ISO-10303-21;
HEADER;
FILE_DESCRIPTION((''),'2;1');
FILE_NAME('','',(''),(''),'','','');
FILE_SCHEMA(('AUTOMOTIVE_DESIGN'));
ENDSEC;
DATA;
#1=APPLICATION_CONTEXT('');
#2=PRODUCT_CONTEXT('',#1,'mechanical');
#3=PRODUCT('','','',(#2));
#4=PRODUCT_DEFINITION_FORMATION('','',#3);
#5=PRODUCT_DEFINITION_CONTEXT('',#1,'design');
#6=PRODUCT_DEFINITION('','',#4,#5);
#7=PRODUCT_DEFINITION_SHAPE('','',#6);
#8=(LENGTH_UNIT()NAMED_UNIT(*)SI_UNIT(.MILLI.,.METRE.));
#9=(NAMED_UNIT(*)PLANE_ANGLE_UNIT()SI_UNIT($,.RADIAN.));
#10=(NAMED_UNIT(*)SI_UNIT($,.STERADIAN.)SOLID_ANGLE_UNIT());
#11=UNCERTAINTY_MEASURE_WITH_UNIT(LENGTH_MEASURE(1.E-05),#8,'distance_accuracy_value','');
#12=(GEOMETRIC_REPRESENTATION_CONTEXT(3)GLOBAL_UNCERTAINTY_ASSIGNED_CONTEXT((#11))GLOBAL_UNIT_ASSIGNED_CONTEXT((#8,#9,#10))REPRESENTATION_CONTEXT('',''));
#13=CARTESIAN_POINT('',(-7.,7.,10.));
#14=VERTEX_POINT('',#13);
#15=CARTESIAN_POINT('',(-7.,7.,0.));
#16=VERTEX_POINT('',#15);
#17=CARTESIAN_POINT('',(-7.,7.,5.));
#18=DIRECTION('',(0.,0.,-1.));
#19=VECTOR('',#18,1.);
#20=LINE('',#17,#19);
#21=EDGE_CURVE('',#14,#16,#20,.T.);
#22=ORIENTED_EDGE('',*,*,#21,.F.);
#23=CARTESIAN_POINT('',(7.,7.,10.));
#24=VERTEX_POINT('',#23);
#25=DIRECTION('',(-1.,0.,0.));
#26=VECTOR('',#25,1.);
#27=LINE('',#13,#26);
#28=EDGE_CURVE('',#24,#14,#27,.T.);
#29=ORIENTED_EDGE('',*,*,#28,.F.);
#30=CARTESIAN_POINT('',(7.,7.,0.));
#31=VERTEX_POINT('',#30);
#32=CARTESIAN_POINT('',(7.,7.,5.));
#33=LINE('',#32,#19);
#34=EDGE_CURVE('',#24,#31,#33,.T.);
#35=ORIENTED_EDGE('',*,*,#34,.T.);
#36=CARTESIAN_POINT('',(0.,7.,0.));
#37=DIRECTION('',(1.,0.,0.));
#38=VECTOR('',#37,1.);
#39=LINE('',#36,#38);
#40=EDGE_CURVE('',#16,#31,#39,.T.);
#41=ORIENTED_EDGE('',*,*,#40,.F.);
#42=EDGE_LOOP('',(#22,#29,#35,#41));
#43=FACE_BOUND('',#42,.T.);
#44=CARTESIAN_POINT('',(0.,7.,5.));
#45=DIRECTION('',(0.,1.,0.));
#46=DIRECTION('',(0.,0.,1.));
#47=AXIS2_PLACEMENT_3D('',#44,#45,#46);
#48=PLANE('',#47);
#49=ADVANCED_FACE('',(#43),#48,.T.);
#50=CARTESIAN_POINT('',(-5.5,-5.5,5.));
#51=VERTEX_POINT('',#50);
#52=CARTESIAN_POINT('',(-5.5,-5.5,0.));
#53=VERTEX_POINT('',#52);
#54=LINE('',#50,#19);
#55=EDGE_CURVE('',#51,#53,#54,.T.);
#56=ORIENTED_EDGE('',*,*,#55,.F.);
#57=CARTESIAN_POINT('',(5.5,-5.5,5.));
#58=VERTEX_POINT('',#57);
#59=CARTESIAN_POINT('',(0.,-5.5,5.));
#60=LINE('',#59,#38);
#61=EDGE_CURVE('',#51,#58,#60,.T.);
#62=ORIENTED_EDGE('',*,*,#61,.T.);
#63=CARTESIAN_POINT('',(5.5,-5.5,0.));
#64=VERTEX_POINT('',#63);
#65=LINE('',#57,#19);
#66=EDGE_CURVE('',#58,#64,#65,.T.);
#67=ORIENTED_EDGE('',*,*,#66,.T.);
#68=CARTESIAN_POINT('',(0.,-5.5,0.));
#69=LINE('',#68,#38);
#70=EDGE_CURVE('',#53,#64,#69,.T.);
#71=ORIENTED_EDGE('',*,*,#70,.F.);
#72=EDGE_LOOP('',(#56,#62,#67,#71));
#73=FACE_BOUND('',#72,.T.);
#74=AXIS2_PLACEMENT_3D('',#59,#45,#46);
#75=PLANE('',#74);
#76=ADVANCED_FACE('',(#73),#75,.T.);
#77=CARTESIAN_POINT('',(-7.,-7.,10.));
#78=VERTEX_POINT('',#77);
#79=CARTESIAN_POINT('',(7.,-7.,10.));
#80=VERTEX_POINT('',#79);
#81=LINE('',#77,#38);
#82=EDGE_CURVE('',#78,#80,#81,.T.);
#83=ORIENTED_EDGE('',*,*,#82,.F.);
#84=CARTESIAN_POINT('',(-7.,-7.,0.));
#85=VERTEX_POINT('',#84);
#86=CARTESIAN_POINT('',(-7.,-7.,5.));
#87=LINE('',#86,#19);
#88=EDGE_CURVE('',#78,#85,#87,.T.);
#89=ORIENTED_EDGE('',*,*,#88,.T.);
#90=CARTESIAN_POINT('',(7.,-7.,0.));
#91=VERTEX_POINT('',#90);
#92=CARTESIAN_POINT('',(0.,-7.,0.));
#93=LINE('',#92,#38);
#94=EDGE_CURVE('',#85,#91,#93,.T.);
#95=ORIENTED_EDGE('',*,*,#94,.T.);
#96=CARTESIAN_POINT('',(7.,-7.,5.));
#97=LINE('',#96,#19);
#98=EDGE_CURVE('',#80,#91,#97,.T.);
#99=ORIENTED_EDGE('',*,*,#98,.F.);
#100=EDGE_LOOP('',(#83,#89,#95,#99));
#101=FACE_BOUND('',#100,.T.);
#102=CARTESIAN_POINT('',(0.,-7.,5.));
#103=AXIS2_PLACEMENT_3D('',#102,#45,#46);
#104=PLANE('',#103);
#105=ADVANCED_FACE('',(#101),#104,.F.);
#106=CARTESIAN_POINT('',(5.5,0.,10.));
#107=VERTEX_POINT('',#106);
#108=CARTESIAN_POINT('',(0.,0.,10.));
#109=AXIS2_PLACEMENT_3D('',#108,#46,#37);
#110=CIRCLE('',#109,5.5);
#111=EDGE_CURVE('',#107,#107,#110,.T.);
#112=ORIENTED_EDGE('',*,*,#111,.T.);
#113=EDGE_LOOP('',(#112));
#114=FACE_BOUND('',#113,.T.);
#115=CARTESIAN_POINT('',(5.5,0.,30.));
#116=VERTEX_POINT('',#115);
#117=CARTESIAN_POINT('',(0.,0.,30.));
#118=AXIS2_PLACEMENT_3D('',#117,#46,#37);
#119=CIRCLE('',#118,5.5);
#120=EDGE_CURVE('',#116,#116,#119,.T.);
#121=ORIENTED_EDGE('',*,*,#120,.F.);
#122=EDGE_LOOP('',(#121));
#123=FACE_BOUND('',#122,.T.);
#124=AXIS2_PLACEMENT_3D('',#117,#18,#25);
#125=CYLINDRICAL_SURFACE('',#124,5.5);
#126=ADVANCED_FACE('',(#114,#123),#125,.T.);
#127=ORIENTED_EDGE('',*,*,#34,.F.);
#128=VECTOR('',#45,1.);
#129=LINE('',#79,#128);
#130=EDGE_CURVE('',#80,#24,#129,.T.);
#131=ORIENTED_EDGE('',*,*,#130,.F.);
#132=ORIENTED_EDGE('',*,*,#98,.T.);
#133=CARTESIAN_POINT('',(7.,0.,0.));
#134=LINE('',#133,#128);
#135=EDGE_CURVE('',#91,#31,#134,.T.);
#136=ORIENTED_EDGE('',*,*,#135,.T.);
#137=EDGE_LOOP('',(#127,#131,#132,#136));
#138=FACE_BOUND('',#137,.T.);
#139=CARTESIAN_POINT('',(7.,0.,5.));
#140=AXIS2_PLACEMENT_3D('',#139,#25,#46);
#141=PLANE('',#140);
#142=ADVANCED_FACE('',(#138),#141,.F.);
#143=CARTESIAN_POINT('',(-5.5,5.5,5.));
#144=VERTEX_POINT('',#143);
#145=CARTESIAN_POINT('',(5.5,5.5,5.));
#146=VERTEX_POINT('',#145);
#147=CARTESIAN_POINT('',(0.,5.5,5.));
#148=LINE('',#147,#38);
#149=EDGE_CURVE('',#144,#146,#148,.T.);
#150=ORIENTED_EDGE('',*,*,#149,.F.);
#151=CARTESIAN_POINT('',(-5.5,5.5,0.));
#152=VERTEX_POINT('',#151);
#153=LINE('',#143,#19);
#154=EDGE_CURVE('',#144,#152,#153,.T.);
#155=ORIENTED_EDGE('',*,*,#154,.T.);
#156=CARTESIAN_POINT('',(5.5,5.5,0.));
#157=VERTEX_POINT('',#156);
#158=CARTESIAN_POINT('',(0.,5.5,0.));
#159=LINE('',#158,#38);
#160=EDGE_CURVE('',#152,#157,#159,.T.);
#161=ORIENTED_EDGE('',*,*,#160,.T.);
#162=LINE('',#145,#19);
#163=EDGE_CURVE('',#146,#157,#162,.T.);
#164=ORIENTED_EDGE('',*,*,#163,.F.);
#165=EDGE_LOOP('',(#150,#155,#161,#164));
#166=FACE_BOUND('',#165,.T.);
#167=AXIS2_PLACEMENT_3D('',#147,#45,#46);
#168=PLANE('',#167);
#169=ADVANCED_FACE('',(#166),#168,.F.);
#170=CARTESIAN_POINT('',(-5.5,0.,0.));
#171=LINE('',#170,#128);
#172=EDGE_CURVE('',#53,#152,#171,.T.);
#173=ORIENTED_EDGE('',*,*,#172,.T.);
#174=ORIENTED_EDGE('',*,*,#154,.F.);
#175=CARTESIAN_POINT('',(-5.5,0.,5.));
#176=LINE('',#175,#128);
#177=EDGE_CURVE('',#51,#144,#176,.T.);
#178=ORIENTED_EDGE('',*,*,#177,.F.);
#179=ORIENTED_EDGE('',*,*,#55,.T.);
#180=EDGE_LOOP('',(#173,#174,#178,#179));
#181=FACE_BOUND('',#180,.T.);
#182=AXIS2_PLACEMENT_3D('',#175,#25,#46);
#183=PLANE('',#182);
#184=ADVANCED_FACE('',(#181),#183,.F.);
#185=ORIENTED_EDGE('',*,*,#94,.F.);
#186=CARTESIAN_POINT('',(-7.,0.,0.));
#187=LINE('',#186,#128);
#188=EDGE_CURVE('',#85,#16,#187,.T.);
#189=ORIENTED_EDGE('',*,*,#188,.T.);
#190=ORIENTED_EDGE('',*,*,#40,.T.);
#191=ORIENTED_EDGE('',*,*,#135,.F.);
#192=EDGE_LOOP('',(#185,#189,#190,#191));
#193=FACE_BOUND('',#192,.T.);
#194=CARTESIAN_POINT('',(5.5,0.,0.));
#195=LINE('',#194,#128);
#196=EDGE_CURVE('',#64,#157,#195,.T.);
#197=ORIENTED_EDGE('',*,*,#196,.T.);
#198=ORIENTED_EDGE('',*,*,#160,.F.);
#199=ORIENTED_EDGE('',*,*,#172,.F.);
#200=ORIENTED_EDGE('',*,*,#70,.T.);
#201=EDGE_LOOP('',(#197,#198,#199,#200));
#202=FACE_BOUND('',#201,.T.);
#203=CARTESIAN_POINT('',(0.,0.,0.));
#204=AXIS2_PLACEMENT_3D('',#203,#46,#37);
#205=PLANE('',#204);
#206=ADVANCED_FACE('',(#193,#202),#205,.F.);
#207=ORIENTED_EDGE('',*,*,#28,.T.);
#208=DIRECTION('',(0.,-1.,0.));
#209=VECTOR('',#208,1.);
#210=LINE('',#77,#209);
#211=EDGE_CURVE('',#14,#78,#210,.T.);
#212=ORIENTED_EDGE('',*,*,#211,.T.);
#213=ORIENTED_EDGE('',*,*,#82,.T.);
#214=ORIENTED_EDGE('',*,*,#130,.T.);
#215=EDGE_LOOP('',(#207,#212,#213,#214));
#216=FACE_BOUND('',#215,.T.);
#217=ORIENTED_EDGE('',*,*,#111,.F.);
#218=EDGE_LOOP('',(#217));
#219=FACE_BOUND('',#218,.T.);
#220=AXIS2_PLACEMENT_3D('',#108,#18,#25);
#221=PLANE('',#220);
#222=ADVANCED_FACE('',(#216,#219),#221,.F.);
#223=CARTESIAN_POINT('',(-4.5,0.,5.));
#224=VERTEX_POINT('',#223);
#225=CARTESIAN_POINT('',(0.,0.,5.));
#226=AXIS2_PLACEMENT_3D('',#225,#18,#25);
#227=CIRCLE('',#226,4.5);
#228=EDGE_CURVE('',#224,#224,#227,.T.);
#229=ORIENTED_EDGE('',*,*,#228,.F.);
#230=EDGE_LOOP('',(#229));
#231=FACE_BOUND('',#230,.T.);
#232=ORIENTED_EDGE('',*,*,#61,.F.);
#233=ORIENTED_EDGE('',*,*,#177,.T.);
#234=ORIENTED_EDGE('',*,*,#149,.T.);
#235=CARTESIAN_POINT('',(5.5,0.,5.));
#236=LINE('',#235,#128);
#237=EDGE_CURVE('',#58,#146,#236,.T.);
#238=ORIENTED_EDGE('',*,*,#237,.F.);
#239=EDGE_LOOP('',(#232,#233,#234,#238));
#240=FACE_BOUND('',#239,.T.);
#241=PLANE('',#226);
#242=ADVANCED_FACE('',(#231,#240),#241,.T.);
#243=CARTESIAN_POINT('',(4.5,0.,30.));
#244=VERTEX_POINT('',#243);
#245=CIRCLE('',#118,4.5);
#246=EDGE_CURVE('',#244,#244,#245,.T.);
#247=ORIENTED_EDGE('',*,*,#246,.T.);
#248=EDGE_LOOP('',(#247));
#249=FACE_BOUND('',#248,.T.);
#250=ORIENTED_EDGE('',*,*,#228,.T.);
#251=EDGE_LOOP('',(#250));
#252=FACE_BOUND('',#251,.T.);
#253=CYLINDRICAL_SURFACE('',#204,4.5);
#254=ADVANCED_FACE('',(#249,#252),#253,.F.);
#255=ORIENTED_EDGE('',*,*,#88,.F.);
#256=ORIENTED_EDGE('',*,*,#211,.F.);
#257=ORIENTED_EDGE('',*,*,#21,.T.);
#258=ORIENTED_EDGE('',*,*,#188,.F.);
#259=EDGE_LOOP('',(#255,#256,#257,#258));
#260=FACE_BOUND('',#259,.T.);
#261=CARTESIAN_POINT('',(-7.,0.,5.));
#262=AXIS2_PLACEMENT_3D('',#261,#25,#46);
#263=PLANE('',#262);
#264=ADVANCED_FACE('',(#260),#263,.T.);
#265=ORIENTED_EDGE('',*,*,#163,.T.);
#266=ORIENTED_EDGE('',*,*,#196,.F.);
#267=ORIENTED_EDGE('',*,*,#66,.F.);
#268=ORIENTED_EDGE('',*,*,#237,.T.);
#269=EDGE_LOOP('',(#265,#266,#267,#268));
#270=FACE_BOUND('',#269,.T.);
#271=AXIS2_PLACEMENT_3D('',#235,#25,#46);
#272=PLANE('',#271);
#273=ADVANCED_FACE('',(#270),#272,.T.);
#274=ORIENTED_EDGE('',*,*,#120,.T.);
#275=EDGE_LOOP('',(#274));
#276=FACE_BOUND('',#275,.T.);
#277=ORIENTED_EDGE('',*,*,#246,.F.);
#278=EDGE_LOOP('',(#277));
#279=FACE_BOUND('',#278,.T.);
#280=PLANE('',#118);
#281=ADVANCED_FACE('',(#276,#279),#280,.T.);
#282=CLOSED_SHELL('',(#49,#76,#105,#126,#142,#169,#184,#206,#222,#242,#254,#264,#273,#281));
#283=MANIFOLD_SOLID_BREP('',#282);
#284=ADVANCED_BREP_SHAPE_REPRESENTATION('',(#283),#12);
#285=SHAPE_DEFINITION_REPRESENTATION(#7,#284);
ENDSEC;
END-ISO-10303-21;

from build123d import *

# Parameters (mm, degrees)
SKETCH_1_W          = 14
SKETCH_1_H          = 14
SKETCH_1_W_2        = 11
SKETCH_1_H_2        = 11
EXTRUDE_1_DEPTH     = 5
SKETCH_2_W          = 14
SKETCH_2_H          = 14
EXTRUDE_2_DEPTH     = 5
SKETCH_3_R          = 5.5
EXTRUDE_3_DEPTH     = 20
SKETCH_4_R          = 4.5
CUT_EXTRUDE_1_DEPTH = 32.591137998


with BuildPart() as part:
    # 草图1 → 凸台-拉伸1 (new body)
    with BuildSketch(Plane.XY):
        Rectangle(SKETCH_1_W, SKETCH_1_H)
        Rectangle(SKETCH_1_W_2, SKETCH_1_H_2, mode=Mode.SUBTRACT)
    extrude(amount=EXTRUDE_1_DEPTH)

    # 草图2 → 凸台-拉伸2 (add)
    with BuildSketch(Plane.XY.offset(5)):
        Rectangle(SKETCH_2_W, SKETCH_2_H)
    extrude(amount=EXTRUDE_2_DEPTH)

    # 草图3 → 凸台-拉伸3 (add)
    with BuildSketch(Plane.XY.offset(10)):
        Circle(SKETCH_3_R)
    extrude(amount=EXTRUDE_3_DEPTH)

    # 草图4 → 切除-拉伸1 (cut, through all)
    with BuildSketch(Plane.XY.offset(30)):
        Circle(SKETCH_4_R)
    extrude(amount=-CUT_EXTRUDE_1_DEPTH, mode=Mode.SUBTRACT)


solid = part.part
